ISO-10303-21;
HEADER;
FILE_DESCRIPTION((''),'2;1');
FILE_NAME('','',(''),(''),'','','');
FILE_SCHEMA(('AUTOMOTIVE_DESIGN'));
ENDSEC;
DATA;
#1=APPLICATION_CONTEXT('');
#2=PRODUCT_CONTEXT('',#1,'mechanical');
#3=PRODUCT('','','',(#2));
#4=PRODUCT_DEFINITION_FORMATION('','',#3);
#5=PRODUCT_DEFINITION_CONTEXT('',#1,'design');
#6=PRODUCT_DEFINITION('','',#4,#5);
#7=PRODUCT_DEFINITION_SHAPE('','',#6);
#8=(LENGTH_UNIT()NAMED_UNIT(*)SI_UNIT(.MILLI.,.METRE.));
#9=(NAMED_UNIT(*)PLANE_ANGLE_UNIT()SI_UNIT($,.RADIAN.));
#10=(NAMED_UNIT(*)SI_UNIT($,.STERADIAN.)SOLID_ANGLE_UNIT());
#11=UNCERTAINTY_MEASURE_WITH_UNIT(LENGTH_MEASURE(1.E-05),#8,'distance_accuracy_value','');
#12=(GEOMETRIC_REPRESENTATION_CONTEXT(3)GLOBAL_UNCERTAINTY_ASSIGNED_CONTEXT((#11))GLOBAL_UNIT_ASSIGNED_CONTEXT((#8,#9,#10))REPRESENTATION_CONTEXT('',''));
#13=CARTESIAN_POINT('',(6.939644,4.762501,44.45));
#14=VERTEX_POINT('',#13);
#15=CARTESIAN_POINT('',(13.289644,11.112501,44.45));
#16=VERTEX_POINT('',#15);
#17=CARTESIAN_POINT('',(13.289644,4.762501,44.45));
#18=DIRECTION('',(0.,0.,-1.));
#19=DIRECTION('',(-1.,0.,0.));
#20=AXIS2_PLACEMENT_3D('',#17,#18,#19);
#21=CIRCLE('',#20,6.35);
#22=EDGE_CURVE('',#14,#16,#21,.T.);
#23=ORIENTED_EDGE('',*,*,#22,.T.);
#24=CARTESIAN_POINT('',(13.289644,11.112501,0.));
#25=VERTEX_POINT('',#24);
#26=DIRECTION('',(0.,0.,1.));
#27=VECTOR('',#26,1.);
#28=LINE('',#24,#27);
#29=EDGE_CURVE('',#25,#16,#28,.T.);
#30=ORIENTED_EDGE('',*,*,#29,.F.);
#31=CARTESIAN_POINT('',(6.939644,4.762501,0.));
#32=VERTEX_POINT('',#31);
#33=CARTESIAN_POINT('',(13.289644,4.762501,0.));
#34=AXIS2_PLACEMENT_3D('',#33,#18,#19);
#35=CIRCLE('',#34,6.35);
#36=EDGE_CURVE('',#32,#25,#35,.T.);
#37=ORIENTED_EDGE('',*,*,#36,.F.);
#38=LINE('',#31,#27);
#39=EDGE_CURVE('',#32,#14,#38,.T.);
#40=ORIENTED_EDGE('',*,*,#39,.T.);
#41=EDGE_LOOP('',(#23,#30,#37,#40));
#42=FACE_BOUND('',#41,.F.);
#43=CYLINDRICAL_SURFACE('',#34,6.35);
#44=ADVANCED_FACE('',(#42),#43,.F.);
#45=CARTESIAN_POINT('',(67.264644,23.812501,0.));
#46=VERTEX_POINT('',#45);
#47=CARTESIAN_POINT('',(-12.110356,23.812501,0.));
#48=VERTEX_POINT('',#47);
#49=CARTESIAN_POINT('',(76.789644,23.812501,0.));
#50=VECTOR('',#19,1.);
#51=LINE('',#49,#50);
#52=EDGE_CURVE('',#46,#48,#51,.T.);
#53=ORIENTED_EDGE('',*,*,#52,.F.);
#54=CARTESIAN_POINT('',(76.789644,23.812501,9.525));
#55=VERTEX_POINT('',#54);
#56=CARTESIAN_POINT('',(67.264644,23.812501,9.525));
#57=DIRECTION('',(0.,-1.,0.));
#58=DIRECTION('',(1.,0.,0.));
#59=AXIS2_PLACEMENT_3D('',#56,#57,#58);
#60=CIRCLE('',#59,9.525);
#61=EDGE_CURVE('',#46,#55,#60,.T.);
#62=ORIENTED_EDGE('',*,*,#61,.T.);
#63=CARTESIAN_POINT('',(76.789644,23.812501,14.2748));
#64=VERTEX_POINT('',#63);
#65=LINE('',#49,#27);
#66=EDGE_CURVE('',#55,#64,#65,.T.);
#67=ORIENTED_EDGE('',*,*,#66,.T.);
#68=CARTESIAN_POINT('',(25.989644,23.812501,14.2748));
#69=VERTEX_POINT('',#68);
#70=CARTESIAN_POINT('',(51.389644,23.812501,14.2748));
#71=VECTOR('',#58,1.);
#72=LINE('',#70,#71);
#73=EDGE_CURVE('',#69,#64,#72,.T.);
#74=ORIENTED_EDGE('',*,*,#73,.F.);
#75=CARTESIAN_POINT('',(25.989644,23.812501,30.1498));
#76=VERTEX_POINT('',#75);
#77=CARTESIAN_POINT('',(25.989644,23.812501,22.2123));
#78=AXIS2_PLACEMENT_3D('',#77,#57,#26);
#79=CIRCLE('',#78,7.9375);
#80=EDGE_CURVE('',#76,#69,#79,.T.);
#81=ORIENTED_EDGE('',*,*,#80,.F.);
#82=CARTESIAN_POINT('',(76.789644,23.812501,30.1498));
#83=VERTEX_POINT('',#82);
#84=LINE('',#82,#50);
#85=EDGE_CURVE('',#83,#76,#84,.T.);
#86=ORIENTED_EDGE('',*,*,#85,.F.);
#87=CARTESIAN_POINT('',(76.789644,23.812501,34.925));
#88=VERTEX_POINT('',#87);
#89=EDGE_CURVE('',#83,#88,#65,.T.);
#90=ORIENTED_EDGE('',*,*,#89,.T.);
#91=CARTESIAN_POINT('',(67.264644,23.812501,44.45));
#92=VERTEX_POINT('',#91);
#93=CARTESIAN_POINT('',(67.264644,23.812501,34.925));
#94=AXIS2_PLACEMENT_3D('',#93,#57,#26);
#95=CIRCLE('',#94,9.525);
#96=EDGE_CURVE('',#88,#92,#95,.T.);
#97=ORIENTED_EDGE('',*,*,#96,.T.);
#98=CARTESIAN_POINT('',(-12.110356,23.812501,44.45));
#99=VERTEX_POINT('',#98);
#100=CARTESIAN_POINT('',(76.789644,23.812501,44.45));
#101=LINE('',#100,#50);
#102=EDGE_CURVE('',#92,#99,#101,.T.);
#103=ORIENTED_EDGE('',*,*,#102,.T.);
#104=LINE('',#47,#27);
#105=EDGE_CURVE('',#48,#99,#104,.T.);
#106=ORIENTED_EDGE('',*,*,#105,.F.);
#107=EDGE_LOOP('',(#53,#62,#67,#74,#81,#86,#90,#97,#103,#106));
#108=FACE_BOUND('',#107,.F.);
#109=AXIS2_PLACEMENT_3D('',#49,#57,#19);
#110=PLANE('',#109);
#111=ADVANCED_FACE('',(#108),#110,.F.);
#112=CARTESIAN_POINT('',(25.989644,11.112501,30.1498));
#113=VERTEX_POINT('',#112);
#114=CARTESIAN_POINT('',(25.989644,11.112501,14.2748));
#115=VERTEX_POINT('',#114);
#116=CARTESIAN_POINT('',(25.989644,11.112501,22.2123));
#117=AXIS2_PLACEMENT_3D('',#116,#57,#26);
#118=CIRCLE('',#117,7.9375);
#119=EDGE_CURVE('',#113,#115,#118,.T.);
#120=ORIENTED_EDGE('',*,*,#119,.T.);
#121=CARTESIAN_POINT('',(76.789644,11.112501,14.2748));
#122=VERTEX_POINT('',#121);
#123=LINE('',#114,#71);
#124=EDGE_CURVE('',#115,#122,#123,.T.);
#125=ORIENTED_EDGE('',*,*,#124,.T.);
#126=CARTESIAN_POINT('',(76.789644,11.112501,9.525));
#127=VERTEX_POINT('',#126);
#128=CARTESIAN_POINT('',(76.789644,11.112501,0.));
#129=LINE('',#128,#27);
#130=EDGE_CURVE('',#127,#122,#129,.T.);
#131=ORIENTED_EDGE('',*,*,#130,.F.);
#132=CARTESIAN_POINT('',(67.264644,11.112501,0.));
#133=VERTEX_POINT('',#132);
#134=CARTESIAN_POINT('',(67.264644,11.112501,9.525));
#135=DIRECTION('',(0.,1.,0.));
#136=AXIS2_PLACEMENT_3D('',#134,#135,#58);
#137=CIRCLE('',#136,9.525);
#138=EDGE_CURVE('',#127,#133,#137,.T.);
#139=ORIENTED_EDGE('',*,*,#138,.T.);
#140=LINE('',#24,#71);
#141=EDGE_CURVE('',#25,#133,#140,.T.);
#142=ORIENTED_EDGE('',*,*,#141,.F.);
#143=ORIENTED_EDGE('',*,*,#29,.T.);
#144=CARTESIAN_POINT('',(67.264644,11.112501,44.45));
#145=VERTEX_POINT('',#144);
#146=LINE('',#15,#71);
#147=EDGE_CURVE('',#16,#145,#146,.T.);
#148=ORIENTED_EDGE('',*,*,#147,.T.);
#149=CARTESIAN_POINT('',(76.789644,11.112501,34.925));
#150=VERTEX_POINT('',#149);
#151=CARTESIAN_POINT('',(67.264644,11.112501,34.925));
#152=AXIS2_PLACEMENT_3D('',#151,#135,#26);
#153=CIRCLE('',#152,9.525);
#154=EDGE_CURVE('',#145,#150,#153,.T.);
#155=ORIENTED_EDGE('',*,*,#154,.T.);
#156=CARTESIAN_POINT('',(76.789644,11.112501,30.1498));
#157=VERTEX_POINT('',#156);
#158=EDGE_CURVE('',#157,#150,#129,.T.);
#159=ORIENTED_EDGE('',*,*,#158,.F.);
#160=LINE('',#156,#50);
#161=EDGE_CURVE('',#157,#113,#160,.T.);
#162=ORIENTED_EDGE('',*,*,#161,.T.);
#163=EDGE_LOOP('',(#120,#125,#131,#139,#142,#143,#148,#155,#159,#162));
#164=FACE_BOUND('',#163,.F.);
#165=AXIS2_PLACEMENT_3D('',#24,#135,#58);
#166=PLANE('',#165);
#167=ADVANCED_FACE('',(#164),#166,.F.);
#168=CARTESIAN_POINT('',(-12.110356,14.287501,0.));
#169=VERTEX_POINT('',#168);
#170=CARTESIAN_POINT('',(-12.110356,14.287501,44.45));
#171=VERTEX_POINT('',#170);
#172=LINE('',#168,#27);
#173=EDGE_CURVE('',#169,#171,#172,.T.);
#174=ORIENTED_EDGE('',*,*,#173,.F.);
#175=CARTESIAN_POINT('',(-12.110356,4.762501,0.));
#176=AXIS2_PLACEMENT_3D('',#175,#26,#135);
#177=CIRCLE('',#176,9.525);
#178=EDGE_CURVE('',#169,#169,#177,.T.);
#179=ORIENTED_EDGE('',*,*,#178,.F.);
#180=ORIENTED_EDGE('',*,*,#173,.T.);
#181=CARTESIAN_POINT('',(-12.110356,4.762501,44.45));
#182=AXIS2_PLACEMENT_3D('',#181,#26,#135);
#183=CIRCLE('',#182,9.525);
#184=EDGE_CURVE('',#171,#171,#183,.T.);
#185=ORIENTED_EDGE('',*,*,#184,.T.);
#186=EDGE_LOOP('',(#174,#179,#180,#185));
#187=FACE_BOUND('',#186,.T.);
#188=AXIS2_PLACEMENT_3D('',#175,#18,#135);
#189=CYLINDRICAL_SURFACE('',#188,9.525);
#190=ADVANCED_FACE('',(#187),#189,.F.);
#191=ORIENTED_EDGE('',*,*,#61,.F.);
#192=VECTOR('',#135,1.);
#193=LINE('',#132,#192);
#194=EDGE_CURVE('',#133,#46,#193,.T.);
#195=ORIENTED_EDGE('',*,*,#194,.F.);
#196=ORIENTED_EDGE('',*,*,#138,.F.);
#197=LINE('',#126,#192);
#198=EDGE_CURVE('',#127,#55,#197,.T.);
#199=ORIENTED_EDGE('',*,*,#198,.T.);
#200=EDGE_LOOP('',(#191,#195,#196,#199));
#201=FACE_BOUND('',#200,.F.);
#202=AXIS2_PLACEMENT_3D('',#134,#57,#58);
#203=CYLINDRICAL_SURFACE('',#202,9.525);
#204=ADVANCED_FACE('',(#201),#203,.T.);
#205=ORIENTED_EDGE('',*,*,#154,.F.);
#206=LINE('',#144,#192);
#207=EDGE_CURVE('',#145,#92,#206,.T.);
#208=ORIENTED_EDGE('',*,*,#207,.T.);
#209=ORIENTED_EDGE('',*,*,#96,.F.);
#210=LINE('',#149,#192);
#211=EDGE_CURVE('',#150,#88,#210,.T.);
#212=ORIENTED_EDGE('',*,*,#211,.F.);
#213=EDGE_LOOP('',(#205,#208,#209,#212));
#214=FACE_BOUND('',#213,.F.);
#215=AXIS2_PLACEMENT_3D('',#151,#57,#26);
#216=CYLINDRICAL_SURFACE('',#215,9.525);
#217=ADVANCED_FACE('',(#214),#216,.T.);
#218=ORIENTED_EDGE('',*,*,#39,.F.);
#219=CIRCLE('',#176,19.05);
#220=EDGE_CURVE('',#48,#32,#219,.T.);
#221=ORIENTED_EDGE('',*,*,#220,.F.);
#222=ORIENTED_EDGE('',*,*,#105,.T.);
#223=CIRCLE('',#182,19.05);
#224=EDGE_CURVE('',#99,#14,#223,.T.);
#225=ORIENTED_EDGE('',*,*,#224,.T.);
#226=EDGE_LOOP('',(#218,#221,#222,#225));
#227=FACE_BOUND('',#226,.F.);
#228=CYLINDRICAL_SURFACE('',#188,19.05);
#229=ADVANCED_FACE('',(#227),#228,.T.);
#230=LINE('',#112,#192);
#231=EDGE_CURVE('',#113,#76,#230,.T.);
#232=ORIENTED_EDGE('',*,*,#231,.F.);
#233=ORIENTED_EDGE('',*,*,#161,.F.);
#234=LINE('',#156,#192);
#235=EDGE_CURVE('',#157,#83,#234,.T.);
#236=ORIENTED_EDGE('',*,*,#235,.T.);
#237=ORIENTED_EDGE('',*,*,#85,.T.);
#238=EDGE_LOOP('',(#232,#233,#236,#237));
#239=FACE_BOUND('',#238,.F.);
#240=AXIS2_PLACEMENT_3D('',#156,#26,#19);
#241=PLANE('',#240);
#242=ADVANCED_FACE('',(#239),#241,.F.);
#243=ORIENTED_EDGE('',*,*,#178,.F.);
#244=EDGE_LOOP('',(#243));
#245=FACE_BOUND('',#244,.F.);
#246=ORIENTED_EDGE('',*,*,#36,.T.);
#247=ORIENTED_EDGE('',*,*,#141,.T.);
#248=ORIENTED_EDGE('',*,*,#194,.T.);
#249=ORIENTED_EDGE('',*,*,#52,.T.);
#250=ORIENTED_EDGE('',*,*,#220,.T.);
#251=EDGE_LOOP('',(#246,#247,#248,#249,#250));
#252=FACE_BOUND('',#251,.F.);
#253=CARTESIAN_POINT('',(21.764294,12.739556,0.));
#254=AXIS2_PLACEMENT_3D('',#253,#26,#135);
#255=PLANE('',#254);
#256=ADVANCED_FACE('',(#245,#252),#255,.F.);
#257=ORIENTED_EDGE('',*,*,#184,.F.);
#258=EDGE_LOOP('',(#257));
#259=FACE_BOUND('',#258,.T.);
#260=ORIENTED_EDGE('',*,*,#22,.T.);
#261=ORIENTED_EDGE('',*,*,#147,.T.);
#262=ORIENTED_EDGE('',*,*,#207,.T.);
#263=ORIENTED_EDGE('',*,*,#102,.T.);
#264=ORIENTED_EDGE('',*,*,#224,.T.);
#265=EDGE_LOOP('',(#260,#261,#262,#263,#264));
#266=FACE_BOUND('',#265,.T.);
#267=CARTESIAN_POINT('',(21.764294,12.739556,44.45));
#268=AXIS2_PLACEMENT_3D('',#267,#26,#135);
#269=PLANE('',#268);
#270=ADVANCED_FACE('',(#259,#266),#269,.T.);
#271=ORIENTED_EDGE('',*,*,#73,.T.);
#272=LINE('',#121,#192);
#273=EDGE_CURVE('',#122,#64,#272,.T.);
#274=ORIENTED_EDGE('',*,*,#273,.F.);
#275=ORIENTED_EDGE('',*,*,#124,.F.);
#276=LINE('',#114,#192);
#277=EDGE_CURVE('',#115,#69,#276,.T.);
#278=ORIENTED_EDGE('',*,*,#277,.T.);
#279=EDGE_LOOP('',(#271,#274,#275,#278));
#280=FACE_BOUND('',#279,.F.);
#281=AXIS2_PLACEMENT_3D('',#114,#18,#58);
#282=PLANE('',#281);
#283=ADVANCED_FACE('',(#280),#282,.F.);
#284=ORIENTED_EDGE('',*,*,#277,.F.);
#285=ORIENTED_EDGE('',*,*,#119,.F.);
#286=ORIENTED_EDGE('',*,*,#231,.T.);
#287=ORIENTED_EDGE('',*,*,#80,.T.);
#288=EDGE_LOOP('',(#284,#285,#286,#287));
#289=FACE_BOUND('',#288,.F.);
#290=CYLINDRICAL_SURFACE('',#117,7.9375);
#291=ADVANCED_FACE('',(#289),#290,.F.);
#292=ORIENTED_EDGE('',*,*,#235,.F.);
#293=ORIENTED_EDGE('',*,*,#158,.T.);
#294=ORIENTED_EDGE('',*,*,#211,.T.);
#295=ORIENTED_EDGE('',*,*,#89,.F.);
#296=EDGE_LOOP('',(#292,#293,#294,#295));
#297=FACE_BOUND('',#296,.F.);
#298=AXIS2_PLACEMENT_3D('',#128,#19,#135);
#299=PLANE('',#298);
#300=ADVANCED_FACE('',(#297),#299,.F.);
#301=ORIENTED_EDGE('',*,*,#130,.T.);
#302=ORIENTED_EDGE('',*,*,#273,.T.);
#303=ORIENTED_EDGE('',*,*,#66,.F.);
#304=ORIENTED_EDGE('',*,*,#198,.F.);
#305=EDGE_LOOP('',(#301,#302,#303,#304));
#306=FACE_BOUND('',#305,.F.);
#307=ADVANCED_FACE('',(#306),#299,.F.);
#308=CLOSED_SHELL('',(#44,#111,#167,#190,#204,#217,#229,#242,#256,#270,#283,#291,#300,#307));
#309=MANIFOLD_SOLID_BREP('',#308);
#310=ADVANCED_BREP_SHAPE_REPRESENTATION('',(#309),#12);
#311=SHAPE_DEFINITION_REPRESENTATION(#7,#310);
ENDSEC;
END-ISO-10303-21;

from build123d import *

# Parameters (mm, degrees)
F0_R     = 9.525
F1_DEPTH = 44.45
F3_DEPTH = 25.4
F4_ANGLE = -90


with BuildPart() as f1:
    # F0 (on Top) → F1 (new body)
    with BuildSketch(Plane.XY):
        with BuildLine():
            Line((-12.1103564769, -65.08749924), (-12.1103564769, 23.81250076))
            ThreePointArc((-12.1103564769, 23.81250076), (-44.6307406585, 37.2828849416), (-31.1603564769, 4.76250076))
            ThreePointArc((-31.1603564769, 4.76250076), (-26.6702284164, 2.9026288205), (-24.8103564769, -1.58749924))
            Line((-24.8103564769, -1.58749924), (-24.8103564769, -65.08749924))
            Line((-24.8103564769, -65.08749924), (-12.1103564769, -65.08749924))
        make_face()
        with Locations((-31.1603564769, 23.81250076)):
            Circle(F0_R, mode=Mode.SUBTRACT)
    extrude(amount=F1_DEPTH)

    # F2 (on face) → F3 (cut)
    with BuildSketch(Plane(origin=(-24.8103564769, 0, 0), x_dir=(0, -1, 0), z_dir=(-1, 0, 0))):
        with BuildLine():
            Line((14.28749924, 14.2748), (65.08749924, 14.2748))
            Line((65.08749924, 14.2748), (65.08749924, 30.1498))
            Line((65.08749924, 30.1498), (14.28749924, 30.1498))
            ThreePointArc((14.28749924, 30.1498), (6.34999924, 22.2123), (14.28749924, 14.2748))
        make_face()
        with BuildLine():
            Line((65.08749924, 44.45), (55.56249924, 44.45))
            ThreePointArc((55.56249924, 44.45), (62.2976913308, 41.6601920908), (65.08749924, 34.925))
            Line((65.08749924, 34.925), (65.08749924, 44.45))
        make_face()
        with BuildLine():
            ThreePointArc((65.08749924, 9.525), (62.2976913308, 2.7898079092), (55.56249924, 0))
            Line((55.56249924, 0), (65.08749924, 0))
            Line((65.08749924, 0), (65.08749924, 9.525))
        make_face()
    extrude(amount=-F3_DEPTH, mode=Mode.SUBTRACT)


with BuildPart() as f1_1:
    # F4: moved
    add(f1.part.rotate(Axis((-12.1103564769, 23.81250076, 22.225), (0, 0, -1)), F4_ANGLE))


solid = f1_1.part
